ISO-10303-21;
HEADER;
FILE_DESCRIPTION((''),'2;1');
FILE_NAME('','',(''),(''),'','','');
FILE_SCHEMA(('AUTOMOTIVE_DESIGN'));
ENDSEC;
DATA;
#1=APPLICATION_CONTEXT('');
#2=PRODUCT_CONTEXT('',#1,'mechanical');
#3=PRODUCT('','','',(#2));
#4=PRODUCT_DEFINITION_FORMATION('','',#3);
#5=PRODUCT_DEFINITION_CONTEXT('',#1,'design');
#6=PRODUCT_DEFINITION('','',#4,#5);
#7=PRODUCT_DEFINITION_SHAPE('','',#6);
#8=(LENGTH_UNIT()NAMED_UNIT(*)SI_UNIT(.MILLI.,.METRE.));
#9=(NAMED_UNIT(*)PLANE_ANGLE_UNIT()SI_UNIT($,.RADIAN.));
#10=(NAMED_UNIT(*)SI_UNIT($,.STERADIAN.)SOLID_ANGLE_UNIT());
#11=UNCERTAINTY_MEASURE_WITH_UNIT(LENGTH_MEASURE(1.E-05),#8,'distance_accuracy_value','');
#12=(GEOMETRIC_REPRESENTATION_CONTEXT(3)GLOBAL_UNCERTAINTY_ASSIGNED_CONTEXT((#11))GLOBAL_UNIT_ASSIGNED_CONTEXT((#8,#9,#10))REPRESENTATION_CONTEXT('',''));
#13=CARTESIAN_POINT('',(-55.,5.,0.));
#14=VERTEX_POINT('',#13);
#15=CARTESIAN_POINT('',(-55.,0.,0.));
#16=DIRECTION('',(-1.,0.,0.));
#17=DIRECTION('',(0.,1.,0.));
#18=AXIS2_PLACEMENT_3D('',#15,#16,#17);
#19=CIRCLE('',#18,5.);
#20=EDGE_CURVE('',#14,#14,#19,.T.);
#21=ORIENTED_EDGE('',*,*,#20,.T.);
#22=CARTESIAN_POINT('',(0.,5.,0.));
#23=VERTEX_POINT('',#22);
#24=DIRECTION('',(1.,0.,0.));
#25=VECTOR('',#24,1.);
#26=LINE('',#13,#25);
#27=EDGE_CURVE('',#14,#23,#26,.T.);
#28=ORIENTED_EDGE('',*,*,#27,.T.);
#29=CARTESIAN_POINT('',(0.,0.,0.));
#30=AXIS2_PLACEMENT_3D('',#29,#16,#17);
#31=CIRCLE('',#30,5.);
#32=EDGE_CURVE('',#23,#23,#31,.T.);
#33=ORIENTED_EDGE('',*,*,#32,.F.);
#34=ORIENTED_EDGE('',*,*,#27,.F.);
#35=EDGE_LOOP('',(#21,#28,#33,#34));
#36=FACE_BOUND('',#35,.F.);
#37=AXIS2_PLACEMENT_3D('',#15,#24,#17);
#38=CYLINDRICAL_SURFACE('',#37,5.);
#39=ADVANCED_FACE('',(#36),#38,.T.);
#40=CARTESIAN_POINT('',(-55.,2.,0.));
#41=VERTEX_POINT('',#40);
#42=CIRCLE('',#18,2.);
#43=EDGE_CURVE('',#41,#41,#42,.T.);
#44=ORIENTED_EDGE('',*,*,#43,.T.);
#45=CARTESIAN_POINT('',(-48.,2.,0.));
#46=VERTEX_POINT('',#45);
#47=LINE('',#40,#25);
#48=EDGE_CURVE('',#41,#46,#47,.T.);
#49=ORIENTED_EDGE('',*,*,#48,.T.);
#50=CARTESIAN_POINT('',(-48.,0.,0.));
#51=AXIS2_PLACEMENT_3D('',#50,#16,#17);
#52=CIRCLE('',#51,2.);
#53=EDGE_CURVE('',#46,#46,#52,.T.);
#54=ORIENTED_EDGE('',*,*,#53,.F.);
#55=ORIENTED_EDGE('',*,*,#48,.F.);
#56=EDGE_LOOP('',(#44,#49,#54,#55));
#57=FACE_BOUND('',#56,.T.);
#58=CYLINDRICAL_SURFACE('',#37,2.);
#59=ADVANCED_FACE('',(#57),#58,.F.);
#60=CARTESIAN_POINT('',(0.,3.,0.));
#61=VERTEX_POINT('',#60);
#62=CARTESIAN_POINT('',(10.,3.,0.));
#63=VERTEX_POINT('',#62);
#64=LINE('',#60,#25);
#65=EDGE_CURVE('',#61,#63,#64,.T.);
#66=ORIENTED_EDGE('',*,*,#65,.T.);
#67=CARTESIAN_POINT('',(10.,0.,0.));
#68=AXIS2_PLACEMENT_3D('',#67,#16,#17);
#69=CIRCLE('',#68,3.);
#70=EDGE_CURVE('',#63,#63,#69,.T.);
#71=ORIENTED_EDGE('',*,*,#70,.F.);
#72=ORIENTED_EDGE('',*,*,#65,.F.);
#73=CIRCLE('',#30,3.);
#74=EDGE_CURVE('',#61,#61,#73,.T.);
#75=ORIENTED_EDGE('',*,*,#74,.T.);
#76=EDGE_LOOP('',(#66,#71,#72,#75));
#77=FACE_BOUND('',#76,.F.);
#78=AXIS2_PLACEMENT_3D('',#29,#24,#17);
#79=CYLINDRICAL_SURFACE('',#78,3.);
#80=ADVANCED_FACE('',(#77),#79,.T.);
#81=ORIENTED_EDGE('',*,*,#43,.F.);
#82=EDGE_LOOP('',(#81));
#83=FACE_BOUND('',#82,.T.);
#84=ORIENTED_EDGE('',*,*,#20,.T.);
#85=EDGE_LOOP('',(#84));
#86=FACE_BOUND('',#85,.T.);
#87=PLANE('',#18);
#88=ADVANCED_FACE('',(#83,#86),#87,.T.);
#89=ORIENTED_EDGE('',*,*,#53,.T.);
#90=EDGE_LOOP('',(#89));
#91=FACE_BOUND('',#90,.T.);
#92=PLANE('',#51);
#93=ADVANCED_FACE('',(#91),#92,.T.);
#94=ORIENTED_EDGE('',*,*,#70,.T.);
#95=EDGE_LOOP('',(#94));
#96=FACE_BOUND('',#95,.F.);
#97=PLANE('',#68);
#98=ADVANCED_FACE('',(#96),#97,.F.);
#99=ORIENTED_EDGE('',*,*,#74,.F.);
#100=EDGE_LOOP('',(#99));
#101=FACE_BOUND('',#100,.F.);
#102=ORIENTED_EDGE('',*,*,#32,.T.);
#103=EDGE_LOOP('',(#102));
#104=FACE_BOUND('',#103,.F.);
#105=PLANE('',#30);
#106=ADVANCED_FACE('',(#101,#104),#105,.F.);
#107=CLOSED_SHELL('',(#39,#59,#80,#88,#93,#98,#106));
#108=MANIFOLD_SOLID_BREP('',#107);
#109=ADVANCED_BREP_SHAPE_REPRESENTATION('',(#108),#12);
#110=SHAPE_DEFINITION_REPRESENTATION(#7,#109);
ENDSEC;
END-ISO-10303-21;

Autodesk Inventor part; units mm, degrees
ref_plane "YZ Plane" through (0, 0, 0) normal (1, 0, 0) x (0, 1, 0)
ref_plane "XZ Plane" through (0, 0, 0) normal (0, 1, 0) x (-1, 0, 0)
ref_plane "XY Plane" through (0, 0, 0) normal (0, 0, 1) x (1, 0, 0)
sketch "Skizze1" plane through (0, 0, 0) normal (0, 0, 1) x (1, 0, 0)
  line L0 (10, 0) -> (-48, 0)
  line L1 (-55, 5) -> (0, 5)
  line L2 (0, 5) -> (0, 3)
  line L3 (0, 3) -> (10, 3)
  line L4 (10, 3) -> (10, 0)
  line L5 (-55, 5) -> (-55, 2)
  line L6 (-55, 2) -> (-48, 2)
  line L7 (-48, 2) -> (-48, 0)
  point P0 (0, 0)
  point P1 (0, 4)
  dimension "d0" = 10
  dimension "d2" = 10
  dimension "d3" = 6
  dimension "d8" = 55
  dimension "d9" = 4
  dimension "d12" = 7
revolve "Umdrehung1" add sketch "Skizze1" angle 360 about axis through (10, 0, 0) along (-1, 0, 0)
thread "Gewinde2" size "M6x1" class "6g" standard "ANSI Metric M Profile" length 28
thread "Gewinde3" size "M4x0.7" class "6H" standard "ANSI Metric M Profile" full length
properties part number "Bolzen" material "Eisen, Grau"
